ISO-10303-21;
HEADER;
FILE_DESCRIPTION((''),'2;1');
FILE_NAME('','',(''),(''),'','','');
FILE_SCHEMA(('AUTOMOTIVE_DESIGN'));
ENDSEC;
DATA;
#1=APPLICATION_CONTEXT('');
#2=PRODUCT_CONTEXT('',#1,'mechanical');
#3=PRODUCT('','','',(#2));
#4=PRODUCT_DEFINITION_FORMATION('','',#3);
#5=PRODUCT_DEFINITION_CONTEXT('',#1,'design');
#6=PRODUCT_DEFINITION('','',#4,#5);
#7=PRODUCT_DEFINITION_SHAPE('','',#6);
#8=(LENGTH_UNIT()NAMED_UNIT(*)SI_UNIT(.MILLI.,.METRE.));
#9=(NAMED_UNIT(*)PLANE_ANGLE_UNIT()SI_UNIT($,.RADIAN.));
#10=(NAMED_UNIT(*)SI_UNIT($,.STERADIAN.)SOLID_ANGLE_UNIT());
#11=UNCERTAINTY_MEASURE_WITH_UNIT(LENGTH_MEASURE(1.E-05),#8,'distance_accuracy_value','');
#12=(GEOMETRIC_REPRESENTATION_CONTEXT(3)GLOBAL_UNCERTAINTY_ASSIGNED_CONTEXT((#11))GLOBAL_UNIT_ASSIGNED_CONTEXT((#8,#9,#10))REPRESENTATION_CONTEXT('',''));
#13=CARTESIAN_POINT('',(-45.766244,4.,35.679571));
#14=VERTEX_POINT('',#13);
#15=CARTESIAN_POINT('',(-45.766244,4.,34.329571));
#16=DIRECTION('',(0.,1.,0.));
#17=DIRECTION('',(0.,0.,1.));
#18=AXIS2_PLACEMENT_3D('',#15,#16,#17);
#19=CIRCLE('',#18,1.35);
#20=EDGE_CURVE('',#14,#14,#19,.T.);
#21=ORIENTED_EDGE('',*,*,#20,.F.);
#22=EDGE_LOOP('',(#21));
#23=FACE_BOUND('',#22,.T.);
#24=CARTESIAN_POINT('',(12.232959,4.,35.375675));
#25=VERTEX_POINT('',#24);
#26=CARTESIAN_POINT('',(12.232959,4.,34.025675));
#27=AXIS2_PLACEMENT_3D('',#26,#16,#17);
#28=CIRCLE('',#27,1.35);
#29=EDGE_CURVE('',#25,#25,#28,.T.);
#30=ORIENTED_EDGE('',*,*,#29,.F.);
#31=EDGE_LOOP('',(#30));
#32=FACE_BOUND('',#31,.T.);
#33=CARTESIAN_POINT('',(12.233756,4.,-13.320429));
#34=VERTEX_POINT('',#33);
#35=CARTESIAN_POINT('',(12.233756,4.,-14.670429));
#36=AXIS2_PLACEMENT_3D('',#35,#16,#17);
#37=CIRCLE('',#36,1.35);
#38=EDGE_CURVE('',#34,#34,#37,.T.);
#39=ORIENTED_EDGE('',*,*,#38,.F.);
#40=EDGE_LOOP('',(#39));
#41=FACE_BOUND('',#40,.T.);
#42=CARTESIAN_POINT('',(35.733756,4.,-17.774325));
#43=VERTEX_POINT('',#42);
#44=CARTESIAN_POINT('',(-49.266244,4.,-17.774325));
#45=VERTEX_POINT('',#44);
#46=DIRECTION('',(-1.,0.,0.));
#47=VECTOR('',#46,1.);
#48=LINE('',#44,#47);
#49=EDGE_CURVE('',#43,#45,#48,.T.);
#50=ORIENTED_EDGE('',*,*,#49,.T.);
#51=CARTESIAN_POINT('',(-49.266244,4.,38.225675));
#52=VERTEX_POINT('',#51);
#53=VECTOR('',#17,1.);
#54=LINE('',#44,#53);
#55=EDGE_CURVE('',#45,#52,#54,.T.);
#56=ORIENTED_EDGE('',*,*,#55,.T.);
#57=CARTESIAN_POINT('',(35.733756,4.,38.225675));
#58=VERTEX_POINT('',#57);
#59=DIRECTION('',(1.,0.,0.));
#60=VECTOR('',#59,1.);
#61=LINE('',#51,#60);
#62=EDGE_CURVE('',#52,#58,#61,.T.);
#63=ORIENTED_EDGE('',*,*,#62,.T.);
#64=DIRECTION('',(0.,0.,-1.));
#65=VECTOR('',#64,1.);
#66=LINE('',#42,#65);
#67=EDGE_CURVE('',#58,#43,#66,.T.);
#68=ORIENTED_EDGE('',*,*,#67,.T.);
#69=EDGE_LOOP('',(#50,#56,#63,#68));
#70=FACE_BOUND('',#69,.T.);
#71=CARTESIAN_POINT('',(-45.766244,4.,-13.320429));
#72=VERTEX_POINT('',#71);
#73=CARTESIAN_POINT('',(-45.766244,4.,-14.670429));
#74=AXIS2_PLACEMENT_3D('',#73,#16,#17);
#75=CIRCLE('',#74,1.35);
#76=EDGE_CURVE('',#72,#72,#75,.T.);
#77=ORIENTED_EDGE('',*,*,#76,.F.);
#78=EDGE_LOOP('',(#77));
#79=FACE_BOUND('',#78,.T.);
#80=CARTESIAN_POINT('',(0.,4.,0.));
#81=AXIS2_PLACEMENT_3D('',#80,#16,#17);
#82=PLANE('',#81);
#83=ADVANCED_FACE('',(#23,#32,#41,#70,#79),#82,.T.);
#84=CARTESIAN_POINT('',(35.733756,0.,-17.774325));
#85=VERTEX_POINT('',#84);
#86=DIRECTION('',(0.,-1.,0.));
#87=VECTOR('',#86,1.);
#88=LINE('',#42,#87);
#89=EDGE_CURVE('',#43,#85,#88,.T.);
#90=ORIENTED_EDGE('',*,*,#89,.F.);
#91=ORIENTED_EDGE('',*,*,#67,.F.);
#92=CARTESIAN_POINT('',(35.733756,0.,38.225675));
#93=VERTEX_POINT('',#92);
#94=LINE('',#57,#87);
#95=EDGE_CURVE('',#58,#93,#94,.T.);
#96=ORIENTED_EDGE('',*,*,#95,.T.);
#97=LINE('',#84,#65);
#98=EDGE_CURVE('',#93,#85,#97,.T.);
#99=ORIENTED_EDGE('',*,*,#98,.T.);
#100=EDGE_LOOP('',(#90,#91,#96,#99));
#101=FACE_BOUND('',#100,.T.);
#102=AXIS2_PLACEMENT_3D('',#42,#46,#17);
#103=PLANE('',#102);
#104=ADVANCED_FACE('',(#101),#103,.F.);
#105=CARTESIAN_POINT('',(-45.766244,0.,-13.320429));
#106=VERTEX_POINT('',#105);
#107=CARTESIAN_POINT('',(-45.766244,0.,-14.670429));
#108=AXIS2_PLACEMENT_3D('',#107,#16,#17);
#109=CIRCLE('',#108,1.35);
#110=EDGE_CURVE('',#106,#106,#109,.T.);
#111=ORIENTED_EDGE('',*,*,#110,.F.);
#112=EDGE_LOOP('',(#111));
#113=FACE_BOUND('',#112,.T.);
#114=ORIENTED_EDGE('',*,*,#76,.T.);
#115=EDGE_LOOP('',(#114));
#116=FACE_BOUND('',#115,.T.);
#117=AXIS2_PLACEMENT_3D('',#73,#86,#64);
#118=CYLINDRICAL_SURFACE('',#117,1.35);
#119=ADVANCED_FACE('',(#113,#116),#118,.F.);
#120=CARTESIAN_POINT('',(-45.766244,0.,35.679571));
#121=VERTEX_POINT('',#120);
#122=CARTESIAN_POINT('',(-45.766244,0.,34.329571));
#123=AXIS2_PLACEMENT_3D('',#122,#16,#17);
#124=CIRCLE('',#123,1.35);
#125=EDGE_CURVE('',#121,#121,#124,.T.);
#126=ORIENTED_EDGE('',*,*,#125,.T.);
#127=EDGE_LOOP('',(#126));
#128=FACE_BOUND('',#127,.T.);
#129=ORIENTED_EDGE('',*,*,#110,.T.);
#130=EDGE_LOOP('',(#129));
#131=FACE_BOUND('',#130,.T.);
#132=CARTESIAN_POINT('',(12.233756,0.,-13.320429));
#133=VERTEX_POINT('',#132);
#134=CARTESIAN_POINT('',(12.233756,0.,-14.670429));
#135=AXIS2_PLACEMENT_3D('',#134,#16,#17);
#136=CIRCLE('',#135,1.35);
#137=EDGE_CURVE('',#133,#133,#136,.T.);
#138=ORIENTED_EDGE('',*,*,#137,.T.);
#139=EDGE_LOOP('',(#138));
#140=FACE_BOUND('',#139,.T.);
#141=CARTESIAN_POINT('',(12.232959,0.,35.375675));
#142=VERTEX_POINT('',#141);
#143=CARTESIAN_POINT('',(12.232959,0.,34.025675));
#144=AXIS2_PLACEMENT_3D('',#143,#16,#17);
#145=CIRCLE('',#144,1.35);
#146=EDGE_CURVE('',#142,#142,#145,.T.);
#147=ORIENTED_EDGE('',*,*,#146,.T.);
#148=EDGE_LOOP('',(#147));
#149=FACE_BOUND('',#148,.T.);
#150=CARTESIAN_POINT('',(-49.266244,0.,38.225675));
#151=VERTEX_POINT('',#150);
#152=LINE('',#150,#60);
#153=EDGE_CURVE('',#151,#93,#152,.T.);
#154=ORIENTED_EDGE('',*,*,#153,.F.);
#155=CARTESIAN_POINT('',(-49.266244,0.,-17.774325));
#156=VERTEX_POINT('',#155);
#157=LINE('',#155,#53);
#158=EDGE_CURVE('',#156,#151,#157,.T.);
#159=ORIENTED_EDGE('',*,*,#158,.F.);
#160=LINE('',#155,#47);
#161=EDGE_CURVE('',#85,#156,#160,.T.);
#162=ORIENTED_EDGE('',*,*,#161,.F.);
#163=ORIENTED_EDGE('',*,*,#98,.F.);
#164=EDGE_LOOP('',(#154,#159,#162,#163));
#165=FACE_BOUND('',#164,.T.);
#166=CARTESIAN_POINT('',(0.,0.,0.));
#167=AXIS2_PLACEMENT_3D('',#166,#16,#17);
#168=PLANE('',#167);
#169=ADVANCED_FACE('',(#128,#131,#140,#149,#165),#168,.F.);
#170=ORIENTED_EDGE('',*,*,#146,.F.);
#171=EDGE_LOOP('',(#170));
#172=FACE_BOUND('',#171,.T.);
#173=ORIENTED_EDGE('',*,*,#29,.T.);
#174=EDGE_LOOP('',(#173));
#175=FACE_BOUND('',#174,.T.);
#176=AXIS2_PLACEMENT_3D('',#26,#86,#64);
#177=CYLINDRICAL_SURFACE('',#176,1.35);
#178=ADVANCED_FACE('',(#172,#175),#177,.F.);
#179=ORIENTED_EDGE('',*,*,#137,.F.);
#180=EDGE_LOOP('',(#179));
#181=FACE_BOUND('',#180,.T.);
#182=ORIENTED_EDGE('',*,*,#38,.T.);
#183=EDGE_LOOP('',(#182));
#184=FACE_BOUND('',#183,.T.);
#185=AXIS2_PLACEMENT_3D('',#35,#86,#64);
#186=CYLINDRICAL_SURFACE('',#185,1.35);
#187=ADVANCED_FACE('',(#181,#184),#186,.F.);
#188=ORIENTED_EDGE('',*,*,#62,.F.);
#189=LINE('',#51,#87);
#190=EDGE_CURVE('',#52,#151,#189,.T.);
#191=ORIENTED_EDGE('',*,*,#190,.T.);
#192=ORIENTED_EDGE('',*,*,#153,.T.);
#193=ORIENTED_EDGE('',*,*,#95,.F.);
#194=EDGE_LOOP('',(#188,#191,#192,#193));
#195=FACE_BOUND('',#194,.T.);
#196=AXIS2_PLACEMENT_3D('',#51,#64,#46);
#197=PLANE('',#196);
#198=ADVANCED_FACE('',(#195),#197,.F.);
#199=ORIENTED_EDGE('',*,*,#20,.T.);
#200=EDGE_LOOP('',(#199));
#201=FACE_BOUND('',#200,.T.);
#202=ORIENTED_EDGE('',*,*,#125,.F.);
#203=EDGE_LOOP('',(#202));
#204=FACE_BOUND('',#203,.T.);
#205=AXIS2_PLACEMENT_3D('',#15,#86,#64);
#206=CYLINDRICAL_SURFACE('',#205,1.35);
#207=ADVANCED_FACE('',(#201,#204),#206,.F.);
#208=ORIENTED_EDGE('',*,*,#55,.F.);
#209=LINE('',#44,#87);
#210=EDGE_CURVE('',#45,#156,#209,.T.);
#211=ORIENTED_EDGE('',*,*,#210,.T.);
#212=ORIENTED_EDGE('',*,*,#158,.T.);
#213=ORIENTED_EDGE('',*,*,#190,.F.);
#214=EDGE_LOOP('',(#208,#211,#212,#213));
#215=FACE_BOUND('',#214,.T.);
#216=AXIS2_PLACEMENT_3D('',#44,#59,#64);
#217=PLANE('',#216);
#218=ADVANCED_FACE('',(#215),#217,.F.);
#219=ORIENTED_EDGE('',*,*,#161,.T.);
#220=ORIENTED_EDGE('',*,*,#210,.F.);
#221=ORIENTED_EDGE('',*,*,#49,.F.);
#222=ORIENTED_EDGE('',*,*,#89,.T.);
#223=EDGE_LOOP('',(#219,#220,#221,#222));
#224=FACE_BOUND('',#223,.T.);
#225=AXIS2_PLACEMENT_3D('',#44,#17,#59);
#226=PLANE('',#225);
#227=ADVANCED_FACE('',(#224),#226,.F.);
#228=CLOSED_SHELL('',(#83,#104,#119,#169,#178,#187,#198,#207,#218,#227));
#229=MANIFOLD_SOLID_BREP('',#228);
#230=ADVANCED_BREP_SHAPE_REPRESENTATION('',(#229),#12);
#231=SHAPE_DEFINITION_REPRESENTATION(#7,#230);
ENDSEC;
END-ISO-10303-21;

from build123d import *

# Parameters (mm, degrees)
SKETCH_1_W      = 85
SKETCH_1_H      = 56
SKETCH_1_R      = 1.35
EXTRUDE_1_DEPTH = 4


with BuildPart() as part:
    # 草图1 → 凸台-拉伸1 (new body)
    with BuildSketch(Plane(origin=(0, 0, 0), x_dir=(1, 0, 0), z_dir=(0, 1, 0))):
        with Locations((-6.766244493, -10.225674706)):
            Rectangle(SKETCH_1_W, SKETCH_1_H)
        with Locations(Location((-45.766244493, 14.67042919, 0), (0, 0, 270))):
            Circle(SKETCH_1_R, mode=Mode.SUBTRACT)
        with Locations(Location((12.233755507, 14.67042919, 0), (0, 0, 270))):
            Circle(SKETCH_1_R, mode=Mode.SUBTRACT)
        with Locations(Location((-45.766244493, -34.32957081, 0), (0, 0, 270))):
            Circle(SKETCH_1_R, mode=Mode.SUBTRACT)
        with Locations(Location((12.232959356, -34.025674706, 0), (0, 0, 270))):
            Circle(SKETCH_1_R, mode=Mode.SUBTRACT)
    extrude(amount=EXTRUDE_1_DEPTH)


solid = part.part
